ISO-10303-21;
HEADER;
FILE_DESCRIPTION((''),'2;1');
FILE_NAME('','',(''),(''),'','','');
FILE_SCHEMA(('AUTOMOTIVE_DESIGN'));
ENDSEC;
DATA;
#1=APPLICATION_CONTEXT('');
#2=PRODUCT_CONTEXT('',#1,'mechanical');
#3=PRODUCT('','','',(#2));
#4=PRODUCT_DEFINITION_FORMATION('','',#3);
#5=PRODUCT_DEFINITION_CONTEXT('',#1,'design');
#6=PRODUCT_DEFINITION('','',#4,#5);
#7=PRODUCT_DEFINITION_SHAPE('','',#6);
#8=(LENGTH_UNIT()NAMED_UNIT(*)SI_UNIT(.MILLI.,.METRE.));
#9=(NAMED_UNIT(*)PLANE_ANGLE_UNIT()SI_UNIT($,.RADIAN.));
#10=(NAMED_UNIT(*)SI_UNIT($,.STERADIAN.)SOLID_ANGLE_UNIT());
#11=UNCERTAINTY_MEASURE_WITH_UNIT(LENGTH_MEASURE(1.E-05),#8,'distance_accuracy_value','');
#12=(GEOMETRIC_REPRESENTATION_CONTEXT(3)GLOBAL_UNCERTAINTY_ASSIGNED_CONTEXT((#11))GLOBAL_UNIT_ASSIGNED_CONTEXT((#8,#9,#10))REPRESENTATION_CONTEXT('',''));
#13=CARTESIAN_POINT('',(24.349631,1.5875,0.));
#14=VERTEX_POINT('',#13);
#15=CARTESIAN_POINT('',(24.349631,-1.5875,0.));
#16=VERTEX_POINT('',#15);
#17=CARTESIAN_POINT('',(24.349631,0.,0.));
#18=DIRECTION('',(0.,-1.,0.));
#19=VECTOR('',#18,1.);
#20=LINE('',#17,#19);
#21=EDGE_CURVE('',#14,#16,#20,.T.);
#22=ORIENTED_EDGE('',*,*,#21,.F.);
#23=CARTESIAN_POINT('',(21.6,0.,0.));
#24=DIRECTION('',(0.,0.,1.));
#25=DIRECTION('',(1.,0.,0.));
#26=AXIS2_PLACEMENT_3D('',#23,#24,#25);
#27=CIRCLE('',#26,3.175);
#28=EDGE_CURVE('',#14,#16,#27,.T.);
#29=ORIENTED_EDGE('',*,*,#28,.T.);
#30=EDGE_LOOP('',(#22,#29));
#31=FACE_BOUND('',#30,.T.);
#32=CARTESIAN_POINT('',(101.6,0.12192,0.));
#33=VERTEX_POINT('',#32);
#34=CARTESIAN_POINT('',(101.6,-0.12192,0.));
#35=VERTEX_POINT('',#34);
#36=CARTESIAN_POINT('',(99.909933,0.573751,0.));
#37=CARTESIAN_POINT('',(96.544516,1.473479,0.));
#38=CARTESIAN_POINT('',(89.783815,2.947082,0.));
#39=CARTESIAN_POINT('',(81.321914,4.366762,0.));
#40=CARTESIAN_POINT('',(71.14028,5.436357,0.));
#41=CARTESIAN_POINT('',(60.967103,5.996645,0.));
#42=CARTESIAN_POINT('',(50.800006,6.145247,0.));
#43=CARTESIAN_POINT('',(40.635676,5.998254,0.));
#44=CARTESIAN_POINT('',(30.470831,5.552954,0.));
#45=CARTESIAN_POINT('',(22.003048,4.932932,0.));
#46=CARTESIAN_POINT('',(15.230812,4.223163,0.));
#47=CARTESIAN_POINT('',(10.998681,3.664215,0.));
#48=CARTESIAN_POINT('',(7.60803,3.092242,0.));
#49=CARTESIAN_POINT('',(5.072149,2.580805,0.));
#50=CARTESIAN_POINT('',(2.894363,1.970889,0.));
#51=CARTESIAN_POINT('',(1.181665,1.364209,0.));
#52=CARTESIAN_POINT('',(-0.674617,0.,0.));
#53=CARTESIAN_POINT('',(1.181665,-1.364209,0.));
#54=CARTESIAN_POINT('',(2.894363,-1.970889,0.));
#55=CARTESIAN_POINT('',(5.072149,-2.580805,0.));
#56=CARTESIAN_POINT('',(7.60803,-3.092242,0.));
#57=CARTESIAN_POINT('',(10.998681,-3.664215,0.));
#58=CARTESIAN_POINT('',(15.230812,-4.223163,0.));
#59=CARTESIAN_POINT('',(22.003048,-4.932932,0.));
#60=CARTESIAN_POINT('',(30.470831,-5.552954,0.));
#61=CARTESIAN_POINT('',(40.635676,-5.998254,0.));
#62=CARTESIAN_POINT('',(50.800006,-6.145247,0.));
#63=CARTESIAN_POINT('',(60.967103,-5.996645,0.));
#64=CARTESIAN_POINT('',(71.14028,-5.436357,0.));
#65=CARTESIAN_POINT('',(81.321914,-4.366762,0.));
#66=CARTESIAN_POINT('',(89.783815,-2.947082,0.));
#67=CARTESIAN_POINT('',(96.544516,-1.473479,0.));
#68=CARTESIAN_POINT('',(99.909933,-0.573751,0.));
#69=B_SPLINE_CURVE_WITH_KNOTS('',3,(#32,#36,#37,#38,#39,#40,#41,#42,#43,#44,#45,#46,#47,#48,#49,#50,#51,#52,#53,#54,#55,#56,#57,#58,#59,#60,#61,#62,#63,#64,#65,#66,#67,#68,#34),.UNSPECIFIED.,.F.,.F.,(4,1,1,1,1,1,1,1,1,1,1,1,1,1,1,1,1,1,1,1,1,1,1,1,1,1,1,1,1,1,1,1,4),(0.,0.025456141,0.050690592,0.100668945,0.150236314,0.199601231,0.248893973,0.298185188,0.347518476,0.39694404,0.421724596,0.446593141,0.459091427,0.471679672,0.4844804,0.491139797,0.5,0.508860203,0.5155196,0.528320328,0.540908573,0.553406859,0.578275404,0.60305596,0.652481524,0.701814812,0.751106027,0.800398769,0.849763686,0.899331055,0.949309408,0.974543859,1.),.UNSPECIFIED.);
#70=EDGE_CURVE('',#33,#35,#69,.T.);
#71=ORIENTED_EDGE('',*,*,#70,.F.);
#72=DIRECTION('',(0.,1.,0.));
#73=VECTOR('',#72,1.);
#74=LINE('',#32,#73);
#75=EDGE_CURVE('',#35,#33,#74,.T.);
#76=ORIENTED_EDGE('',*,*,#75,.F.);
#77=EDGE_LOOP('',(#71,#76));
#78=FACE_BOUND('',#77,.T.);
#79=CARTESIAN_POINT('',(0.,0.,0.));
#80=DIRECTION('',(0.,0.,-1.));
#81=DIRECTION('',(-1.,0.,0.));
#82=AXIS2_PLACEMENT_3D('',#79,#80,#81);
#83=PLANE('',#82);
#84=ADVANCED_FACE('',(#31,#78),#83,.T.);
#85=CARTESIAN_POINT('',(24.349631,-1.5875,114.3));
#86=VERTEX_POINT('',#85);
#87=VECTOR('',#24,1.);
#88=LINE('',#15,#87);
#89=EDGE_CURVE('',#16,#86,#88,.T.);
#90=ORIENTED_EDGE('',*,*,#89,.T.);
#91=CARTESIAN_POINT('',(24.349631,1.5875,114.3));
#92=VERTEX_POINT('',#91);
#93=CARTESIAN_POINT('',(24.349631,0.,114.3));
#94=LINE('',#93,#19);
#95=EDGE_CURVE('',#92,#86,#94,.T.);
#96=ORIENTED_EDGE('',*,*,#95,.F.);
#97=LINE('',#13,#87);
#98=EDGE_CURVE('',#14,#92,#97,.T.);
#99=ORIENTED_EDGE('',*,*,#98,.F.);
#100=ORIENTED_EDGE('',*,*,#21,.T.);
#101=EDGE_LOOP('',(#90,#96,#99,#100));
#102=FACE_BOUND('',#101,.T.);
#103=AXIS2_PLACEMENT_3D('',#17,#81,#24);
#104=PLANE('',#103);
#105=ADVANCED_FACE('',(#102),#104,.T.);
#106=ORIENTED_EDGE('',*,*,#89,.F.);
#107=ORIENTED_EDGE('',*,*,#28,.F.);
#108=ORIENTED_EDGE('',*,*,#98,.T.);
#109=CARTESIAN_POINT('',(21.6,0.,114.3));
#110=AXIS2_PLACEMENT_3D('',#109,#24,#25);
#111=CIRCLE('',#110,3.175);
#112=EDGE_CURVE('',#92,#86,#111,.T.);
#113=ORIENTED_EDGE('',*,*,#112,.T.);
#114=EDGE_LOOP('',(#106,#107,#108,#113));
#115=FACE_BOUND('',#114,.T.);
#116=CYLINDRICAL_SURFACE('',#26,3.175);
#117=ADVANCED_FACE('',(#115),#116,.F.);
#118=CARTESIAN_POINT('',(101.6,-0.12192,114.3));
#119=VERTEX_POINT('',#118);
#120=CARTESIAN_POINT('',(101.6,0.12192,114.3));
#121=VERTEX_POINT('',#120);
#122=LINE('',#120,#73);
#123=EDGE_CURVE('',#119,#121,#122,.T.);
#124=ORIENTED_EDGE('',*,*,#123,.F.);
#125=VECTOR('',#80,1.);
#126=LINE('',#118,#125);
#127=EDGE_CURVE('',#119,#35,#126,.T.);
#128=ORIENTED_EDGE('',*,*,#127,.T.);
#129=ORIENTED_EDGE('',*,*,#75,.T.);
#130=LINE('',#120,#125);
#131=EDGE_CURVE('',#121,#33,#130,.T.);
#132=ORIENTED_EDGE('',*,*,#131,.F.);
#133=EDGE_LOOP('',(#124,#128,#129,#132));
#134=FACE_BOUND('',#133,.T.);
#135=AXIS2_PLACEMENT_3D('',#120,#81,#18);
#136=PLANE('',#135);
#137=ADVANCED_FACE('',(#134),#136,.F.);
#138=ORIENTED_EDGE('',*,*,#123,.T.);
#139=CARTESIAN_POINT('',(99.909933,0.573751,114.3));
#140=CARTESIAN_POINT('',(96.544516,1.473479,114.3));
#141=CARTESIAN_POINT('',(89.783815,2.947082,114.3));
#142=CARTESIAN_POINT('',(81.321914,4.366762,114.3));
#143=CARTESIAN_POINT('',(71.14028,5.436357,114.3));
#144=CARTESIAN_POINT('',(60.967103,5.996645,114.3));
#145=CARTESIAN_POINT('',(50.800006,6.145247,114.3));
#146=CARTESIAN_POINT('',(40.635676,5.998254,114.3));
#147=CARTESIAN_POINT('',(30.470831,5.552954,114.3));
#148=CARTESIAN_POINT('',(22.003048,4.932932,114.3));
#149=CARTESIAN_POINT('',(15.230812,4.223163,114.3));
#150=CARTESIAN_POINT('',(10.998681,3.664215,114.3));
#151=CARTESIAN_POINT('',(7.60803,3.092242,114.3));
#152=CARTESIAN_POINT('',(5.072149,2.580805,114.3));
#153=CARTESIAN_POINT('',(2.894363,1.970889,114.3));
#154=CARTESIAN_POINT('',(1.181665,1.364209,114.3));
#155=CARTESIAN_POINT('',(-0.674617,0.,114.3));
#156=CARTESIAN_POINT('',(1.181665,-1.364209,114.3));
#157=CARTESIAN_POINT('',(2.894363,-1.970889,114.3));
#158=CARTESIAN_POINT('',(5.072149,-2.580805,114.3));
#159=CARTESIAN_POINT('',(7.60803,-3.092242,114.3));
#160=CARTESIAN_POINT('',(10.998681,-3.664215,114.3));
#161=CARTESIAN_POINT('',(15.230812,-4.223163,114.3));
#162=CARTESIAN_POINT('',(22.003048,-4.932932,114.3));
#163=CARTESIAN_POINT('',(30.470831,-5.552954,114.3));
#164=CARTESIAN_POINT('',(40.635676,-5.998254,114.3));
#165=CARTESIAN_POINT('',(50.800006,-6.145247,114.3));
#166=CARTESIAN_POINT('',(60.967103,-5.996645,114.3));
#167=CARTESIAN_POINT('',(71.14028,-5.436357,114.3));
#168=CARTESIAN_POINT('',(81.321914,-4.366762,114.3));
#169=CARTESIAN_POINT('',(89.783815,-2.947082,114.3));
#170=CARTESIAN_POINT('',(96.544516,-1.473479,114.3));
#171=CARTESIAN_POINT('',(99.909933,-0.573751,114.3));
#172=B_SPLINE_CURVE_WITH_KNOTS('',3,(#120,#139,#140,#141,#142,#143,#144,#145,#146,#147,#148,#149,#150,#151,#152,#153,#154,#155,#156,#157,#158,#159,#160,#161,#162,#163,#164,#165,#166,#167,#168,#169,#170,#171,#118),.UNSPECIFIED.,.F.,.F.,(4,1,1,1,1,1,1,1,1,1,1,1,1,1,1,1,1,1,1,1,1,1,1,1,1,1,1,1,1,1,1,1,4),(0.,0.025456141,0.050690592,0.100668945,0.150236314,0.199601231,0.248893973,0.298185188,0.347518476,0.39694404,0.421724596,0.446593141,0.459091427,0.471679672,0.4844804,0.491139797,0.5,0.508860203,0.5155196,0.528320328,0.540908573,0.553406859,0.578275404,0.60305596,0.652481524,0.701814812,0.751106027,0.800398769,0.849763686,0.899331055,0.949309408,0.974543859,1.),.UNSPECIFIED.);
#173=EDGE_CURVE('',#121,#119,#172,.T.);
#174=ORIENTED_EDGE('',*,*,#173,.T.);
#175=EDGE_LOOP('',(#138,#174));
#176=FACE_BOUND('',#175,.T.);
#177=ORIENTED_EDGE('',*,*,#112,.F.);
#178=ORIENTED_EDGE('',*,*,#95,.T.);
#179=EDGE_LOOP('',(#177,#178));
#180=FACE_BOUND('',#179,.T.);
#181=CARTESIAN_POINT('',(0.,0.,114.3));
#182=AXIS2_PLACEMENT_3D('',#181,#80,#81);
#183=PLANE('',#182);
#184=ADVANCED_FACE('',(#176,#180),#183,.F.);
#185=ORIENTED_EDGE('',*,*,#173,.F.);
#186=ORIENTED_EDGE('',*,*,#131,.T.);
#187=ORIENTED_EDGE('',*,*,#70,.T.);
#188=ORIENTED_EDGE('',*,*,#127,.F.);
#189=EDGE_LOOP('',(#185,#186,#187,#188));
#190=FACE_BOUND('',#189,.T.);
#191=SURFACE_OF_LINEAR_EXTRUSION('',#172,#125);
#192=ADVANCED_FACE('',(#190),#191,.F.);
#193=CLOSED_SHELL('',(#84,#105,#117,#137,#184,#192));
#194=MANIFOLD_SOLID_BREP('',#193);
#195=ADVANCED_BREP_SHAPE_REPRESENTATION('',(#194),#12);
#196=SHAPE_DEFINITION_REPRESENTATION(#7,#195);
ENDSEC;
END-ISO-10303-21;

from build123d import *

# Parameters (mm, degrees)
BOSS_EXTRUDE1_DEPTH = 114.3
CUT_EXTRUDE1_DEPTH  = 115.3000001


with BuildPart() as part:
    # Sketch1 → Boss-Extrude1 (new body)
    with BuildSketch(Plane.XY):
        with BuildLine():
            Line((101.6, 0.12192), (101.6, -0.12192))
            add(Edge.make_bspline(
                [(101.6, 0.12192), (99.909932561, 0.573751352), (96.544515968, 1.473479194), (89.783814833, 2.947081601), (81.321913594, 4.36676175), (71.140279871, 5.436356516), (60.967102616, 5.996645411), (50.800006263, 6.145246679), (40.635675917, 5.998253513), (30.470830523, 5.552954054), (22.003048387, 4.932932422), (15.230811891, 4.223162727), (10.998681463, 3.664214628), (7.608030333, 3.092241666), (5.072149413, 2.580804534), (2.89436287, 1.970888591), (1.181665174, 1.364209186), (-0.674617494, 0), (1.181665174, -1.364209186), (2.89436287, -1.970888591), (5.072149413, -2.580804534), (7.608030333, -3.092241666), (10.998681463, -3.664214628), (15.230811891, -4.223162727), (22.003048387, -4.932932422), (30.470830523, -5.552954054), (40.635675917, -5.998253513), (50.800006263, -6.145246679), (60.967102616, -5.996645411), (71.140279871, -5.436356516), (81.321913594, -4.36676175), (89.783814833, -2.947081601), (96.544515968, -1.473479194), (99.909932561, -0.573751352), (101.6, -0.12192)],
                knots=[0, 0, 0, 0, 0.025456141, 0.050690592, 0.100668945, 0.150236314, 0.199601231, 0.248893973, 0.298185188, 0.347518476, 0.39694404, 0.421724596, 0.446593141, 0.459091427, 0.471679672, 0.4844804, 0.491139797, 0.5, 0.508860203, 0.5155196, 0.528320328, 0.540908573, 0.553406859, 0.578275404, 0.60305596, 0.652481524, 0.701814812, 0.751106027, 0.800398769, 0.849763686, 0.899331055, 0.949309408, 0.974543859, 1, 1, 1, 1], degree=3))
        make_face()
    extrude(amount=BOSS_EXTRUDE1_DEPTH)

    # Sketch2 → Cut-Extrude1 (cut, through all)
    with BuildSketch(Plane.XY.offset(114.3)):
        with BuildLine():
            Line((24.349630657, 1.5875), (24.349630657, -1.5875))
            ThreePointArc((24.349630657, -1.5875), (18.425, 0), (24.349630657, 1.5875))
        make_face()
    extrude(amount=-CUT_EXTRUDE1_DEPTH, mode=Mode.SUBTRACT)


solid = part.part
